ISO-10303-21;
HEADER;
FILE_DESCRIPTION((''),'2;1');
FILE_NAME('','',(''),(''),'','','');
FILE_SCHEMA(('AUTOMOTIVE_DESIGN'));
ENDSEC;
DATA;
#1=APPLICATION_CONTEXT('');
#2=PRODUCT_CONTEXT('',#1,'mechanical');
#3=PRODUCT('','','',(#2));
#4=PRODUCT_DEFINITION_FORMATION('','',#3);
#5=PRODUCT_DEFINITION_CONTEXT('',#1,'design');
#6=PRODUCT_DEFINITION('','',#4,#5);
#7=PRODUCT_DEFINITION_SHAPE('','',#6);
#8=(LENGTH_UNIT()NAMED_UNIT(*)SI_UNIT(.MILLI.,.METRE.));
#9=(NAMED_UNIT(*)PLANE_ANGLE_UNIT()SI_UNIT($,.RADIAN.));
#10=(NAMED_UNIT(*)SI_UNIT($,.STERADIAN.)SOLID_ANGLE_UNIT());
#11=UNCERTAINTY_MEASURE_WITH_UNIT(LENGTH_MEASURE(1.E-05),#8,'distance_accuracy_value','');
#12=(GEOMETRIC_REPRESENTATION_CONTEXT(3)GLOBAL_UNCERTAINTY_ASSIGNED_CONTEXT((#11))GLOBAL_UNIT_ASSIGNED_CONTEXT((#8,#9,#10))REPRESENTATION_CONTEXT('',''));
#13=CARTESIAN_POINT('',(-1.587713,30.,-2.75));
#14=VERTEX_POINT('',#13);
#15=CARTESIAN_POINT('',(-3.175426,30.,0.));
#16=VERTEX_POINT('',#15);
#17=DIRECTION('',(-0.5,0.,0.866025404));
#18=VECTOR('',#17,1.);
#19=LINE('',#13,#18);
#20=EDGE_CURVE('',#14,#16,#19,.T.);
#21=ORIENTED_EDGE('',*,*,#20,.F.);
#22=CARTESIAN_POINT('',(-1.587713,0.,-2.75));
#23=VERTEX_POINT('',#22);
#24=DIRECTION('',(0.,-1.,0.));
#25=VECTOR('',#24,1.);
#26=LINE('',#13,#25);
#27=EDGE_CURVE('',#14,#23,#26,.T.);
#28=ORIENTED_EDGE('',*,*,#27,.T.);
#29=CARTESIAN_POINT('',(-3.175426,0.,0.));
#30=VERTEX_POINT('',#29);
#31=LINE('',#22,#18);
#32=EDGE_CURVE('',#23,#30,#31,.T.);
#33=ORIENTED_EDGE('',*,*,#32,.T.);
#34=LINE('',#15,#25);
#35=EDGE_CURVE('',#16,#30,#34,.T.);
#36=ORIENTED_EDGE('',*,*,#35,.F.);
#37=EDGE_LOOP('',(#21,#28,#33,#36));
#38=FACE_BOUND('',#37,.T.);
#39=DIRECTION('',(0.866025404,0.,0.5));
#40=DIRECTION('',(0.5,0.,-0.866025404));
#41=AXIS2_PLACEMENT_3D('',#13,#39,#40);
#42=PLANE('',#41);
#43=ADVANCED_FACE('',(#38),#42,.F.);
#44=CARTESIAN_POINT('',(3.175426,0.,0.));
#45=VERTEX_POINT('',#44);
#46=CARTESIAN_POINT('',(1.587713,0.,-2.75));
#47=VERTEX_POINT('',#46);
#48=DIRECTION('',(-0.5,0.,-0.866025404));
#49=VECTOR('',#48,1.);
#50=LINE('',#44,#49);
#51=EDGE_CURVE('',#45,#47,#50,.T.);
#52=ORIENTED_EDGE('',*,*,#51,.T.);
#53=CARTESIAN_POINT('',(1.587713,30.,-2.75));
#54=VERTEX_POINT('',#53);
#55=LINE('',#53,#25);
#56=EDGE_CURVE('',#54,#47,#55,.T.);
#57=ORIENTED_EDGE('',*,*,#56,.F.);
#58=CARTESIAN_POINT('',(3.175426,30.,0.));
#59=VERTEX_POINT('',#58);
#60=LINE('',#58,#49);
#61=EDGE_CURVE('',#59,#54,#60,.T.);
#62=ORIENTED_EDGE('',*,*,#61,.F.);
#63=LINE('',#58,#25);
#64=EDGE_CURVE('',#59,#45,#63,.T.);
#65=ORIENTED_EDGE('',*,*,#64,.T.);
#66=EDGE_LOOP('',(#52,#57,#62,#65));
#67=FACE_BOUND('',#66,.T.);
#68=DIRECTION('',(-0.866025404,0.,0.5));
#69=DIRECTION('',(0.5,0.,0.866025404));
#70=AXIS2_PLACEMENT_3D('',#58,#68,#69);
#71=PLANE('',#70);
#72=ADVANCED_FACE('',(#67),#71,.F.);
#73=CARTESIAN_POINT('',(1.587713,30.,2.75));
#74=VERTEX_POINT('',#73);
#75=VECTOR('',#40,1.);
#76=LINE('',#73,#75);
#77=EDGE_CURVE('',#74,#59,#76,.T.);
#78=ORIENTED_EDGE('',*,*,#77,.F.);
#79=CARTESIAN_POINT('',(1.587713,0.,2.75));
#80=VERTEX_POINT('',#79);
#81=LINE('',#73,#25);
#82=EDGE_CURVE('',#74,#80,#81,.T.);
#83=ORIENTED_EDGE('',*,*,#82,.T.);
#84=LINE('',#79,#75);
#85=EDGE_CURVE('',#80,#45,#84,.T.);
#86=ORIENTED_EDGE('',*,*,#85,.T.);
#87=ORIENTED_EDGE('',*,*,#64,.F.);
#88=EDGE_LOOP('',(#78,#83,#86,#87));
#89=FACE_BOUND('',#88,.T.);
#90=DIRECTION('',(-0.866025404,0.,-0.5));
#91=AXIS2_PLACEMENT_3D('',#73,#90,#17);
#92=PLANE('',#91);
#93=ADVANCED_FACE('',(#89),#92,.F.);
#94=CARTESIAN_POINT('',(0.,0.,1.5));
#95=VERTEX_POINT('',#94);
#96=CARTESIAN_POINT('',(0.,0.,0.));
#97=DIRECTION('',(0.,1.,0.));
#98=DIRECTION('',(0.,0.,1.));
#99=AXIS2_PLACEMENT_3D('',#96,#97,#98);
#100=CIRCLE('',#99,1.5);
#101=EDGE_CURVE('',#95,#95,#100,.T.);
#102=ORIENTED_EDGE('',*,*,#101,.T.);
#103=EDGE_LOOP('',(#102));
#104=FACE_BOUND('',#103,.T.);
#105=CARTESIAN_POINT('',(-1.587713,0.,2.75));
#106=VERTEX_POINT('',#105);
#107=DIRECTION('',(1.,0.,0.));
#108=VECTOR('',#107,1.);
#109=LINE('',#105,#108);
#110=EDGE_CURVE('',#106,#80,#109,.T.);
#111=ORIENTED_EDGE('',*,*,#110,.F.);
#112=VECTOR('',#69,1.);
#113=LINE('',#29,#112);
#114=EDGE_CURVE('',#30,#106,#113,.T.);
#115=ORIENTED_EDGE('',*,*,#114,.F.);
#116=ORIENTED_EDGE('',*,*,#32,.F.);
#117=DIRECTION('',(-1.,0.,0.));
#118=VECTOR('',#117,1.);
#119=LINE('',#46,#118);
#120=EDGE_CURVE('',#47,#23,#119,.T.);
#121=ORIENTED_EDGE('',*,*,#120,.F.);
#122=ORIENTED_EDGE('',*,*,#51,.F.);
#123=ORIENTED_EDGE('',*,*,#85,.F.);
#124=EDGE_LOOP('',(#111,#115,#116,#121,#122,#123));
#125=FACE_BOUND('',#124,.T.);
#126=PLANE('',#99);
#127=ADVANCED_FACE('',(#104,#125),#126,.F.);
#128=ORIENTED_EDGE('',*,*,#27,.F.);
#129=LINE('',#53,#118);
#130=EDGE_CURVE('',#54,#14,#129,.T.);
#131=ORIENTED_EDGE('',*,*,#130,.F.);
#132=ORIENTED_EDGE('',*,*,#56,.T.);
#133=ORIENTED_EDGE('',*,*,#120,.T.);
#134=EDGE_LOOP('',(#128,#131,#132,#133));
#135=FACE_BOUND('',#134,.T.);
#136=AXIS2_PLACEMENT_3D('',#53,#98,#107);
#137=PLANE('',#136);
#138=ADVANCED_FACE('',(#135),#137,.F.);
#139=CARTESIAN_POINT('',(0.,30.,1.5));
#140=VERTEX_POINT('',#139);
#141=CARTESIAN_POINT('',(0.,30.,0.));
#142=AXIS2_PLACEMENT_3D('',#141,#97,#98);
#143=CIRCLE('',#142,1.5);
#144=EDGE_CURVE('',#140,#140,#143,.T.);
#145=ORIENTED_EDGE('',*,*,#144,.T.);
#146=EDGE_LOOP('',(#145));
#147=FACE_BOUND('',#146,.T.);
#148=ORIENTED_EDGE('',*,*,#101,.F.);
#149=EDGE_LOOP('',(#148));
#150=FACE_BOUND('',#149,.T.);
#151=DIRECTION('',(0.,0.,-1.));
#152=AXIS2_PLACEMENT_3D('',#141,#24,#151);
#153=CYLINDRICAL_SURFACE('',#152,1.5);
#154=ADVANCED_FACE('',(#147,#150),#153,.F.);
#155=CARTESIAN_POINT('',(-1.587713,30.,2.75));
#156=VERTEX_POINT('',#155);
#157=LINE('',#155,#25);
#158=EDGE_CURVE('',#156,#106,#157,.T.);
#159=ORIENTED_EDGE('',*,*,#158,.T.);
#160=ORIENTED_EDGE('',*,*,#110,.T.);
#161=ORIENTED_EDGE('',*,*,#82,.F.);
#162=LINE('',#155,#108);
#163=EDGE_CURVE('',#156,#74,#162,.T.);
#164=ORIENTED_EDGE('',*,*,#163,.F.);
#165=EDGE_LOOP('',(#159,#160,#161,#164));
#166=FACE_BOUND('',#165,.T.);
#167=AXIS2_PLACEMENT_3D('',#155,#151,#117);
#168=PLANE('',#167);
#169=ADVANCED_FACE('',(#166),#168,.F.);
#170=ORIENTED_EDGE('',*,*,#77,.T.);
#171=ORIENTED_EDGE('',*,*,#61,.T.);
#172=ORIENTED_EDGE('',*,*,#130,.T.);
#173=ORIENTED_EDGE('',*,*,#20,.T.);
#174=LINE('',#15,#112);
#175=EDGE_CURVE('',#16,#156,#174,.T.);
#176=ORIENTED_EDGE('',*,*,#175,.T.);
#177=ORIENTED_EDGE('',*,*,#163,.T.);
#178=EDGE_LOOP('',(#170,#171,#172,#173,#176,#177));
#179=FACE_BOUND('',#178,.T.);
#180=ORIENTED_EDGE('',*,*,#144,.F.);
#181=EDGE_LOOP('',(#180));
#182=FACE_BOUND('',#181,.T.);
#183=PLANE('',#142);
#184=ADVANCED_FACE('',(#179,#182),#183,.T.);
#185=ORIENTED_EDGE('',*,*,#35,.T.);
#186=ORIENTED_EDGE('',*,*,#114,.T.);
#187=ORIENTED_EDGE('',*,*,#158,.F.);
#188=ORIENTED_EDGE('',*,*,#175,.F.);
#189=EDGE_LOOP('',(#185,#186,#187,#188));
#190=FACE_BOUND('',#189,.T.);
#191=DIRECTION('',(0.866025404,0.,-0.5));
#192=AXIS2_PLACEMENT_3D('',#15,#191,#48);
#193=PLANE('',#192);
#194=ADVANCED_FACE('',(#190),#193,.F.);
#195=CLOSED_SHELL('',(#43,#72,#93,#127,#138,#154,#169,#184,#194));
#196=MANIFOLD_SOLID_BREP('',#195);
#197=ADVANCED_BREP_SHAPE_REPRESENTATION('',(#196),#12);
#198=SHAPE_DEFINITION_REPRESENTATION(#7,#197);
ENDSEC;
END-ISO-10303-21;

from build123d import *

# Parameters (mm, degrees)
SKETCH_1_R      = 1.5
EXTRUDE_1_DEPTH = 30


with BuildPart() as part:
    # 草图1 → 凸台-拉伸1 (new body)
    with BuildSketch(Plane(origin=(0, 0, 0), x_dir=(1, 0, 0), z_dir=(0, 1, 0))):
        Polygon((3.175426481, 0), (1.58771324, 2.75), (-1.58771324, 2.75), (-3.175426481, 0), (-1.58771324, -2.75), (1.58771324, -2.75), align=None)
        with Locations(Location((0, 0, 0), (0, 0, 270))):
            Circle(SKETCH_1_R, mode=Mode.SUBTRACT)
    extrude(amount=EXTRUDE_1_DEPTH)


solid = part.part
